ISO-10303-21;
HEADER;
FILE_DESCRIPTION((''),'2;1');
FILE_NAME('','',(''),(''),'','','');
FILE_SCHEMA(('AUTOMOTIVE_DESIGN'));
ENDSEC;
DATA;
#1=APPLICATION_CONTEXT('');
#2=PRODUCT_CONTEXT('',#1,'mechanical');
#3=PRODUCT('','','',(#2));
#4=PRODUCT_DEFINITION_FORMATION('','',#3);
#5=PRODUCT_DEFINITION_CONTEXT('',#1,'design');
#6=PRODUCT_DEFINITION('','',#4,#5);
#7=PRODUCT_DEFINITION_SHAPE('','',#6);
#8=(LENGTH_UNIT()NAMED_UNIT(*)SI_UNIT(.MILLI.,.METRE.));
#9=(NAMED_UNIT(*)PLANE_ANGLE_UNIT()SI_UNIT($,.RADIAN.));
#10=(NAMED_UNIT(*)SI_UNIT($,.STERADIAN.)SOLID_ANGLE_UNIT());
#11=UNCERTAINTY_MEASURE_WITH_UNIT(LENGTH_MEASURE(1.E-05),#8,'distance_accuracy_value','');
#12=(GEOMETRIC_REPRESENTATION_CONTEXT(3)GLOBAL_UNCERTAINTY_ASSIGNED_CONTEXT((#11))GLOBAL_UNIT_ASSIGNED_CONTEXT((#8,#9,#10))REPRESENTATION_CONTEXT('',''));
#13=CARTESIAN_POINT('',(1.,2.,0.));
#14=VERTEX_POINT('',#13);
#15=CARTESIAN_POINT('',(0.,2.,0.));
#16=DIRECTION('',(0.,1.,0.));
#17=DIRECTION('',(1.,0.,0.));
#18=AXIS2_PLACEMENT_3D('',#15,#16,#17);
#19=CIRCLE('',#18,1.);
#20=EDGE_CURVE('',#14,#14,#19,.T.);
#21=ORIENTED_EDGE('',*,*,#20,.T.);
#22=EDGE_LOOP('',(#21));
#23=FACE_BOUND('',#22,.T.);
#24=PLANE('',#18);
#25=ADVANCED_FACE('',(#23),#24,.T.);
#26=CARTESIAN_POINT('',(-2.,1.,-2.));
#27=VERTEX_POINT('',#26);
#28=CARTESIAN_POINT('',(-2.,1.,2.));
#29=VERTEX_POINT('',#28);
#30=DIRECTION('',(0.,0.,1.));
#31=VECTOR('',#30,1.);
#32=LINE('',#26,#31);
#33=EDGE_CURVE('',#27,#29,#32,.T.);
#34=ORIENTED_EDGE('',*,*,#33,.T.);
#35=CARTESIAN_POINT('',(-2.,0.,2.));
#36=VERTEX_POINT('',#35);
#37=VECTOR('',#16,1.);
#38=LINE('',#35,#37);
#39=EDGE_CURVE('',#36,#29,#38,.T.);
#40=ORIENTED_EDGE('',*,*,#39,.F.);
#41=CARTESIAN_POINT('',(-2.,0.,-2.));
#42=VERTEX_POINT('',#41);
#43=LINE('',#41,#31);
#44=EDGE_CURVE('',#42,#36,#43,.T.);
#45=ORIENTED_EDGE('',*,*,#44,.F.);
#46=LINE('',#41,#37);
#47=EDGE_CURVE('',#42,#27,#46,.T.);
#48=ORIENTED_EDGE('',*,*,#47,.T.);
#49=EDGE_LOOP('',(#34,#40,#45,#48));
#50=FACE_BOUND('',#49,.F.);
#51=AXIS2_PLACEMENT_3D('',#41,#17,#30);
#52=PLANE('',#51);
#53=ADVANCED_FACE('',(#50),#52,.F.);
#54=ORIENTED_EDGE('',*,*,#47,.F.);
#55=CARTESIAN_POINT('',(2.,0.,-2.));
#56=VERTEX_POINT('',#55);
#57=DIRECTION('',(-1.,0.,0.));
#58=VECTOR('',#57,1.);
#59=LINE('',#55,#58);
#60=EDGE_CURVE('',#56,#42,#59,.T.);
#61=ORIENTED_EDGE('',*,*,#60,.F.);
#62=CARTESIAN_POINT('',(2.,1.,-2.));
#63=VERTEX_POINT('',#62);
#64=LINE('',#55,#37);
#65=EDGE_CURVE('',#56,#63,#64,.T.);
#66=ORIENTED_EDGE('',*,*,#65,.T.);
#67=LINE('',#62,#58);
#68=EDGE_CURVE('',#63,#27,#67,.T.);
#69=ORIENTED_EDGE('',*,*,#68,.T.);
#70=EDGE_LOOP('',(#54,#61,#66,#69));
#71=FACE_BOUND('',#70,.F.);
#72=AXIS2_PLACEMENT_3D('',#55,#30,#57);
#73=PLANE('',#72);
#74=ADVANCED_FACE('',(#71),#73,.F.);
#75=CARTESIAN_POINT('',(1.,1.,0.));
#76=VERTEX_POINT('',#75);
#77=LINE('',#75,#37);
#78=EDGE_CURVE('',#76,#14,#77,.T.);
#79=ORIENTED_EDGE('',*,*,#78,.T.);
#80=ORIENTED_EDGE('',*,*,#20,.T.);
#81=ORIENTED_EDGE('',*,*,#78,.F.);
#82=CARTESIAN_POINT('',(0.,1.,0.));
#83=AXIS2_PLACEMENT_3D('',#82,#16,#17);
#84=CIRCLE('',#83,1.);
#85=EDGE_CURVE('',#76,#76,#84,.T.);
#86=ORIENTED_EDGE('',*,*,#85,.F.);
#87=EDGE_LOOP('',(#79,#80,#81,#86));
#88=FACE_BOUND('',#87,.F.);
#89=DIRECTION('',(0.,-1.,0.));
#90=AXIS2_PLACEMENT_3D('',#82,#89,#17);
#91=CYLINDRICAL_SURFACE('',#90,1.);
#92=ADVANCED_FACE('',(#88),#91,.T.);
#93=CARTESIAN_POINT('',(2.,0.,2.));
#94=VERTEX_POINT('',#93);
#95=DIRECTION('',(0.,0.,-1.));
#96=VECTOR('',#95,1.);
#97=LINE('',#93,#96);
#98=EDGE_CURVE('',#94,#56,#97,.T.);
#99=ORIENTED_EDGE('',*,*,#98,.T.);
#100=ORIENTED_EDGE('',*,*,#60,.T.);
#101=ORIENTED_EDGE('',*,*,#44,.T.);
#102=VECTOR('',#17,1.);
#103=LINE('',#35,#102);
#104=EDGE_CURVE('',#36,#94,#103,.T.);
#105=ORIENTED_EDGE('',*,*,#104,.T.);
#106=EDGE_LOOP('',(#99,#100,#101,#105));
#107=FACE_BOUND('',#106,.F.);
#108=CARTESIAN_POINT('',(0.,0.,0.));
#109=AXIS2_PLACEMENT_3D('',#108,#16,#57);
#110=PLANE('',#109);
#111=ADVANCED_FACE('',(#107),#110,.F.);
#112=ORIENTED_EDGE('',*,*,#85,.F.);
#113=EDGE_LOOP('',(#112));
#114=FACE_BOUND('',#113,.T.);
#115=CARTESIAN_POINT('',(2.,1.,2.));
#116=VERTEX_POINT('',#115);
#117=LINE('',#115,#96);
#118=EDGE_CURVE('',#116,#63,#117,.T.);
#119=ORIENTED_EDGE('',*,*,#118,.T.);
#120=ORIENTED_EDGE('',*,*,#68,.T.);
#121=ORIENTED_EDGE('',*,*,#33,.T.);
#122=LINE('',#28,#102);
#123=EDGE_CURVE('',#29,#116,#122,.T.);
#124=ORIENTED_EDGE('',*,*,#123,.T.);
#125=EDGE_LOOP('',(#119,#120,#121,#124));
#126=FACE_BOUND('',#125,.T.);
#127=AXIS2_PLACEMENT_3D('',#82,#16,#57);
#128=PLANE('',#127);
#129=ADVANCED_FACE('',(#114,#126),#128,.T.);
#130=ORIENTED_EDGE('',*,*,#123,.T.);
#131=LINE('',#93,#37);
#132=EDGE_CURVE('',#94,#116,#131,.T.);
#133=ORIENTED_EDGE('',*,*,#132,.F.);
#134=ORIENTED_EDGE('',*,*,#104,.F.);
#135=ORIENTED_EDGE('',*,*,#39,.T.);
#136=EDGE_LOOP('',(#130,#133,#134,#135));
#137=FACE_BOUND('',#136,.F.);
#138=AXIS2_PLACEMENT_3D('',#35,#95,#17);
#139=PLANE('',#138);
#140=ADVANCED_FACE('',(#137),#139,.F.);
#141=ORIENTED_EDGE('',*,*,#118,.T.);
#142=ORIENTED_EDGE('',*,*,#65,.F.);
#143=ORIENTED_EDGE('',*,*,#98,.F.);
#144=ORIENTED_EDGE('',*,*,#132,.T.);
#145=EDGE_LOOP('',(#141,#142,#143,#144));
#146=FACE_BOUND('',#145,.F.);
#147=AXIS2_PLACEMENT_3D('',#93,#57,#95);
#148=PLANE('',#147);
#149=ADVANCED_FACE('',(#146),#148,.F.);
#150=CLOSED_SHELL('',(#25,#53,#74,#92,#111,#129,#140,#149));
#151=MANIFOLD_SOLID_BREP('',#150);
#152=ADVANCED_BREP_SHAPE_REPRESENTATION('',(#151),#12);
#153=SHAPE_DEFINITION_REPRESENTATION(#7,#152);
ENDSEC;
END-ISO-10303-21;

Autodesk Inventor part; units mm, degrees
ref_plane "YZ Plane" through (0, 0, 0) normal (1, 0, 0) x (0, 1, 0)
ref_plane "XZ Plane" through (0, 0, 0) normal (0, 1, 0) x (-1, 0, 0)
ref_plane "XY Plane" through (0, 0, 0) normal (0, 0, 1) x (1, 0, 0)
sketch "Sketch1" plane through (0, 0, 0) normal (0, 1, 0) x (-1, 0, 0)
  line L0 (2, 2) -> (-2, 2)
  line L1 (-2, 2) -> (-2, -2)
  line L2 (-2, -2) -> (2, -2)
  line L3 (2, -2) -> (2, 2)
  line L4 (2, 2) -> (-2, -2) construction
  line L5 (-2, 2) -> (2, -2) construction
  point P0 (0, 0)
  dimension "d0" = 4
  dimension "d1" = 4
extrude "Extrusion1" add sketch "Sketch1" along normal blind 1
sketch "Sketch2" plane through (0, 1, 0) normal (0, 1, 0) x (1, 0, 0)
  circle A0 centre (0, 0) radius 1
  dimension "d4" = 2
extrude "Extrusion2" add sketch "Sketch2" along normal blind 1
properties part number "fix"
